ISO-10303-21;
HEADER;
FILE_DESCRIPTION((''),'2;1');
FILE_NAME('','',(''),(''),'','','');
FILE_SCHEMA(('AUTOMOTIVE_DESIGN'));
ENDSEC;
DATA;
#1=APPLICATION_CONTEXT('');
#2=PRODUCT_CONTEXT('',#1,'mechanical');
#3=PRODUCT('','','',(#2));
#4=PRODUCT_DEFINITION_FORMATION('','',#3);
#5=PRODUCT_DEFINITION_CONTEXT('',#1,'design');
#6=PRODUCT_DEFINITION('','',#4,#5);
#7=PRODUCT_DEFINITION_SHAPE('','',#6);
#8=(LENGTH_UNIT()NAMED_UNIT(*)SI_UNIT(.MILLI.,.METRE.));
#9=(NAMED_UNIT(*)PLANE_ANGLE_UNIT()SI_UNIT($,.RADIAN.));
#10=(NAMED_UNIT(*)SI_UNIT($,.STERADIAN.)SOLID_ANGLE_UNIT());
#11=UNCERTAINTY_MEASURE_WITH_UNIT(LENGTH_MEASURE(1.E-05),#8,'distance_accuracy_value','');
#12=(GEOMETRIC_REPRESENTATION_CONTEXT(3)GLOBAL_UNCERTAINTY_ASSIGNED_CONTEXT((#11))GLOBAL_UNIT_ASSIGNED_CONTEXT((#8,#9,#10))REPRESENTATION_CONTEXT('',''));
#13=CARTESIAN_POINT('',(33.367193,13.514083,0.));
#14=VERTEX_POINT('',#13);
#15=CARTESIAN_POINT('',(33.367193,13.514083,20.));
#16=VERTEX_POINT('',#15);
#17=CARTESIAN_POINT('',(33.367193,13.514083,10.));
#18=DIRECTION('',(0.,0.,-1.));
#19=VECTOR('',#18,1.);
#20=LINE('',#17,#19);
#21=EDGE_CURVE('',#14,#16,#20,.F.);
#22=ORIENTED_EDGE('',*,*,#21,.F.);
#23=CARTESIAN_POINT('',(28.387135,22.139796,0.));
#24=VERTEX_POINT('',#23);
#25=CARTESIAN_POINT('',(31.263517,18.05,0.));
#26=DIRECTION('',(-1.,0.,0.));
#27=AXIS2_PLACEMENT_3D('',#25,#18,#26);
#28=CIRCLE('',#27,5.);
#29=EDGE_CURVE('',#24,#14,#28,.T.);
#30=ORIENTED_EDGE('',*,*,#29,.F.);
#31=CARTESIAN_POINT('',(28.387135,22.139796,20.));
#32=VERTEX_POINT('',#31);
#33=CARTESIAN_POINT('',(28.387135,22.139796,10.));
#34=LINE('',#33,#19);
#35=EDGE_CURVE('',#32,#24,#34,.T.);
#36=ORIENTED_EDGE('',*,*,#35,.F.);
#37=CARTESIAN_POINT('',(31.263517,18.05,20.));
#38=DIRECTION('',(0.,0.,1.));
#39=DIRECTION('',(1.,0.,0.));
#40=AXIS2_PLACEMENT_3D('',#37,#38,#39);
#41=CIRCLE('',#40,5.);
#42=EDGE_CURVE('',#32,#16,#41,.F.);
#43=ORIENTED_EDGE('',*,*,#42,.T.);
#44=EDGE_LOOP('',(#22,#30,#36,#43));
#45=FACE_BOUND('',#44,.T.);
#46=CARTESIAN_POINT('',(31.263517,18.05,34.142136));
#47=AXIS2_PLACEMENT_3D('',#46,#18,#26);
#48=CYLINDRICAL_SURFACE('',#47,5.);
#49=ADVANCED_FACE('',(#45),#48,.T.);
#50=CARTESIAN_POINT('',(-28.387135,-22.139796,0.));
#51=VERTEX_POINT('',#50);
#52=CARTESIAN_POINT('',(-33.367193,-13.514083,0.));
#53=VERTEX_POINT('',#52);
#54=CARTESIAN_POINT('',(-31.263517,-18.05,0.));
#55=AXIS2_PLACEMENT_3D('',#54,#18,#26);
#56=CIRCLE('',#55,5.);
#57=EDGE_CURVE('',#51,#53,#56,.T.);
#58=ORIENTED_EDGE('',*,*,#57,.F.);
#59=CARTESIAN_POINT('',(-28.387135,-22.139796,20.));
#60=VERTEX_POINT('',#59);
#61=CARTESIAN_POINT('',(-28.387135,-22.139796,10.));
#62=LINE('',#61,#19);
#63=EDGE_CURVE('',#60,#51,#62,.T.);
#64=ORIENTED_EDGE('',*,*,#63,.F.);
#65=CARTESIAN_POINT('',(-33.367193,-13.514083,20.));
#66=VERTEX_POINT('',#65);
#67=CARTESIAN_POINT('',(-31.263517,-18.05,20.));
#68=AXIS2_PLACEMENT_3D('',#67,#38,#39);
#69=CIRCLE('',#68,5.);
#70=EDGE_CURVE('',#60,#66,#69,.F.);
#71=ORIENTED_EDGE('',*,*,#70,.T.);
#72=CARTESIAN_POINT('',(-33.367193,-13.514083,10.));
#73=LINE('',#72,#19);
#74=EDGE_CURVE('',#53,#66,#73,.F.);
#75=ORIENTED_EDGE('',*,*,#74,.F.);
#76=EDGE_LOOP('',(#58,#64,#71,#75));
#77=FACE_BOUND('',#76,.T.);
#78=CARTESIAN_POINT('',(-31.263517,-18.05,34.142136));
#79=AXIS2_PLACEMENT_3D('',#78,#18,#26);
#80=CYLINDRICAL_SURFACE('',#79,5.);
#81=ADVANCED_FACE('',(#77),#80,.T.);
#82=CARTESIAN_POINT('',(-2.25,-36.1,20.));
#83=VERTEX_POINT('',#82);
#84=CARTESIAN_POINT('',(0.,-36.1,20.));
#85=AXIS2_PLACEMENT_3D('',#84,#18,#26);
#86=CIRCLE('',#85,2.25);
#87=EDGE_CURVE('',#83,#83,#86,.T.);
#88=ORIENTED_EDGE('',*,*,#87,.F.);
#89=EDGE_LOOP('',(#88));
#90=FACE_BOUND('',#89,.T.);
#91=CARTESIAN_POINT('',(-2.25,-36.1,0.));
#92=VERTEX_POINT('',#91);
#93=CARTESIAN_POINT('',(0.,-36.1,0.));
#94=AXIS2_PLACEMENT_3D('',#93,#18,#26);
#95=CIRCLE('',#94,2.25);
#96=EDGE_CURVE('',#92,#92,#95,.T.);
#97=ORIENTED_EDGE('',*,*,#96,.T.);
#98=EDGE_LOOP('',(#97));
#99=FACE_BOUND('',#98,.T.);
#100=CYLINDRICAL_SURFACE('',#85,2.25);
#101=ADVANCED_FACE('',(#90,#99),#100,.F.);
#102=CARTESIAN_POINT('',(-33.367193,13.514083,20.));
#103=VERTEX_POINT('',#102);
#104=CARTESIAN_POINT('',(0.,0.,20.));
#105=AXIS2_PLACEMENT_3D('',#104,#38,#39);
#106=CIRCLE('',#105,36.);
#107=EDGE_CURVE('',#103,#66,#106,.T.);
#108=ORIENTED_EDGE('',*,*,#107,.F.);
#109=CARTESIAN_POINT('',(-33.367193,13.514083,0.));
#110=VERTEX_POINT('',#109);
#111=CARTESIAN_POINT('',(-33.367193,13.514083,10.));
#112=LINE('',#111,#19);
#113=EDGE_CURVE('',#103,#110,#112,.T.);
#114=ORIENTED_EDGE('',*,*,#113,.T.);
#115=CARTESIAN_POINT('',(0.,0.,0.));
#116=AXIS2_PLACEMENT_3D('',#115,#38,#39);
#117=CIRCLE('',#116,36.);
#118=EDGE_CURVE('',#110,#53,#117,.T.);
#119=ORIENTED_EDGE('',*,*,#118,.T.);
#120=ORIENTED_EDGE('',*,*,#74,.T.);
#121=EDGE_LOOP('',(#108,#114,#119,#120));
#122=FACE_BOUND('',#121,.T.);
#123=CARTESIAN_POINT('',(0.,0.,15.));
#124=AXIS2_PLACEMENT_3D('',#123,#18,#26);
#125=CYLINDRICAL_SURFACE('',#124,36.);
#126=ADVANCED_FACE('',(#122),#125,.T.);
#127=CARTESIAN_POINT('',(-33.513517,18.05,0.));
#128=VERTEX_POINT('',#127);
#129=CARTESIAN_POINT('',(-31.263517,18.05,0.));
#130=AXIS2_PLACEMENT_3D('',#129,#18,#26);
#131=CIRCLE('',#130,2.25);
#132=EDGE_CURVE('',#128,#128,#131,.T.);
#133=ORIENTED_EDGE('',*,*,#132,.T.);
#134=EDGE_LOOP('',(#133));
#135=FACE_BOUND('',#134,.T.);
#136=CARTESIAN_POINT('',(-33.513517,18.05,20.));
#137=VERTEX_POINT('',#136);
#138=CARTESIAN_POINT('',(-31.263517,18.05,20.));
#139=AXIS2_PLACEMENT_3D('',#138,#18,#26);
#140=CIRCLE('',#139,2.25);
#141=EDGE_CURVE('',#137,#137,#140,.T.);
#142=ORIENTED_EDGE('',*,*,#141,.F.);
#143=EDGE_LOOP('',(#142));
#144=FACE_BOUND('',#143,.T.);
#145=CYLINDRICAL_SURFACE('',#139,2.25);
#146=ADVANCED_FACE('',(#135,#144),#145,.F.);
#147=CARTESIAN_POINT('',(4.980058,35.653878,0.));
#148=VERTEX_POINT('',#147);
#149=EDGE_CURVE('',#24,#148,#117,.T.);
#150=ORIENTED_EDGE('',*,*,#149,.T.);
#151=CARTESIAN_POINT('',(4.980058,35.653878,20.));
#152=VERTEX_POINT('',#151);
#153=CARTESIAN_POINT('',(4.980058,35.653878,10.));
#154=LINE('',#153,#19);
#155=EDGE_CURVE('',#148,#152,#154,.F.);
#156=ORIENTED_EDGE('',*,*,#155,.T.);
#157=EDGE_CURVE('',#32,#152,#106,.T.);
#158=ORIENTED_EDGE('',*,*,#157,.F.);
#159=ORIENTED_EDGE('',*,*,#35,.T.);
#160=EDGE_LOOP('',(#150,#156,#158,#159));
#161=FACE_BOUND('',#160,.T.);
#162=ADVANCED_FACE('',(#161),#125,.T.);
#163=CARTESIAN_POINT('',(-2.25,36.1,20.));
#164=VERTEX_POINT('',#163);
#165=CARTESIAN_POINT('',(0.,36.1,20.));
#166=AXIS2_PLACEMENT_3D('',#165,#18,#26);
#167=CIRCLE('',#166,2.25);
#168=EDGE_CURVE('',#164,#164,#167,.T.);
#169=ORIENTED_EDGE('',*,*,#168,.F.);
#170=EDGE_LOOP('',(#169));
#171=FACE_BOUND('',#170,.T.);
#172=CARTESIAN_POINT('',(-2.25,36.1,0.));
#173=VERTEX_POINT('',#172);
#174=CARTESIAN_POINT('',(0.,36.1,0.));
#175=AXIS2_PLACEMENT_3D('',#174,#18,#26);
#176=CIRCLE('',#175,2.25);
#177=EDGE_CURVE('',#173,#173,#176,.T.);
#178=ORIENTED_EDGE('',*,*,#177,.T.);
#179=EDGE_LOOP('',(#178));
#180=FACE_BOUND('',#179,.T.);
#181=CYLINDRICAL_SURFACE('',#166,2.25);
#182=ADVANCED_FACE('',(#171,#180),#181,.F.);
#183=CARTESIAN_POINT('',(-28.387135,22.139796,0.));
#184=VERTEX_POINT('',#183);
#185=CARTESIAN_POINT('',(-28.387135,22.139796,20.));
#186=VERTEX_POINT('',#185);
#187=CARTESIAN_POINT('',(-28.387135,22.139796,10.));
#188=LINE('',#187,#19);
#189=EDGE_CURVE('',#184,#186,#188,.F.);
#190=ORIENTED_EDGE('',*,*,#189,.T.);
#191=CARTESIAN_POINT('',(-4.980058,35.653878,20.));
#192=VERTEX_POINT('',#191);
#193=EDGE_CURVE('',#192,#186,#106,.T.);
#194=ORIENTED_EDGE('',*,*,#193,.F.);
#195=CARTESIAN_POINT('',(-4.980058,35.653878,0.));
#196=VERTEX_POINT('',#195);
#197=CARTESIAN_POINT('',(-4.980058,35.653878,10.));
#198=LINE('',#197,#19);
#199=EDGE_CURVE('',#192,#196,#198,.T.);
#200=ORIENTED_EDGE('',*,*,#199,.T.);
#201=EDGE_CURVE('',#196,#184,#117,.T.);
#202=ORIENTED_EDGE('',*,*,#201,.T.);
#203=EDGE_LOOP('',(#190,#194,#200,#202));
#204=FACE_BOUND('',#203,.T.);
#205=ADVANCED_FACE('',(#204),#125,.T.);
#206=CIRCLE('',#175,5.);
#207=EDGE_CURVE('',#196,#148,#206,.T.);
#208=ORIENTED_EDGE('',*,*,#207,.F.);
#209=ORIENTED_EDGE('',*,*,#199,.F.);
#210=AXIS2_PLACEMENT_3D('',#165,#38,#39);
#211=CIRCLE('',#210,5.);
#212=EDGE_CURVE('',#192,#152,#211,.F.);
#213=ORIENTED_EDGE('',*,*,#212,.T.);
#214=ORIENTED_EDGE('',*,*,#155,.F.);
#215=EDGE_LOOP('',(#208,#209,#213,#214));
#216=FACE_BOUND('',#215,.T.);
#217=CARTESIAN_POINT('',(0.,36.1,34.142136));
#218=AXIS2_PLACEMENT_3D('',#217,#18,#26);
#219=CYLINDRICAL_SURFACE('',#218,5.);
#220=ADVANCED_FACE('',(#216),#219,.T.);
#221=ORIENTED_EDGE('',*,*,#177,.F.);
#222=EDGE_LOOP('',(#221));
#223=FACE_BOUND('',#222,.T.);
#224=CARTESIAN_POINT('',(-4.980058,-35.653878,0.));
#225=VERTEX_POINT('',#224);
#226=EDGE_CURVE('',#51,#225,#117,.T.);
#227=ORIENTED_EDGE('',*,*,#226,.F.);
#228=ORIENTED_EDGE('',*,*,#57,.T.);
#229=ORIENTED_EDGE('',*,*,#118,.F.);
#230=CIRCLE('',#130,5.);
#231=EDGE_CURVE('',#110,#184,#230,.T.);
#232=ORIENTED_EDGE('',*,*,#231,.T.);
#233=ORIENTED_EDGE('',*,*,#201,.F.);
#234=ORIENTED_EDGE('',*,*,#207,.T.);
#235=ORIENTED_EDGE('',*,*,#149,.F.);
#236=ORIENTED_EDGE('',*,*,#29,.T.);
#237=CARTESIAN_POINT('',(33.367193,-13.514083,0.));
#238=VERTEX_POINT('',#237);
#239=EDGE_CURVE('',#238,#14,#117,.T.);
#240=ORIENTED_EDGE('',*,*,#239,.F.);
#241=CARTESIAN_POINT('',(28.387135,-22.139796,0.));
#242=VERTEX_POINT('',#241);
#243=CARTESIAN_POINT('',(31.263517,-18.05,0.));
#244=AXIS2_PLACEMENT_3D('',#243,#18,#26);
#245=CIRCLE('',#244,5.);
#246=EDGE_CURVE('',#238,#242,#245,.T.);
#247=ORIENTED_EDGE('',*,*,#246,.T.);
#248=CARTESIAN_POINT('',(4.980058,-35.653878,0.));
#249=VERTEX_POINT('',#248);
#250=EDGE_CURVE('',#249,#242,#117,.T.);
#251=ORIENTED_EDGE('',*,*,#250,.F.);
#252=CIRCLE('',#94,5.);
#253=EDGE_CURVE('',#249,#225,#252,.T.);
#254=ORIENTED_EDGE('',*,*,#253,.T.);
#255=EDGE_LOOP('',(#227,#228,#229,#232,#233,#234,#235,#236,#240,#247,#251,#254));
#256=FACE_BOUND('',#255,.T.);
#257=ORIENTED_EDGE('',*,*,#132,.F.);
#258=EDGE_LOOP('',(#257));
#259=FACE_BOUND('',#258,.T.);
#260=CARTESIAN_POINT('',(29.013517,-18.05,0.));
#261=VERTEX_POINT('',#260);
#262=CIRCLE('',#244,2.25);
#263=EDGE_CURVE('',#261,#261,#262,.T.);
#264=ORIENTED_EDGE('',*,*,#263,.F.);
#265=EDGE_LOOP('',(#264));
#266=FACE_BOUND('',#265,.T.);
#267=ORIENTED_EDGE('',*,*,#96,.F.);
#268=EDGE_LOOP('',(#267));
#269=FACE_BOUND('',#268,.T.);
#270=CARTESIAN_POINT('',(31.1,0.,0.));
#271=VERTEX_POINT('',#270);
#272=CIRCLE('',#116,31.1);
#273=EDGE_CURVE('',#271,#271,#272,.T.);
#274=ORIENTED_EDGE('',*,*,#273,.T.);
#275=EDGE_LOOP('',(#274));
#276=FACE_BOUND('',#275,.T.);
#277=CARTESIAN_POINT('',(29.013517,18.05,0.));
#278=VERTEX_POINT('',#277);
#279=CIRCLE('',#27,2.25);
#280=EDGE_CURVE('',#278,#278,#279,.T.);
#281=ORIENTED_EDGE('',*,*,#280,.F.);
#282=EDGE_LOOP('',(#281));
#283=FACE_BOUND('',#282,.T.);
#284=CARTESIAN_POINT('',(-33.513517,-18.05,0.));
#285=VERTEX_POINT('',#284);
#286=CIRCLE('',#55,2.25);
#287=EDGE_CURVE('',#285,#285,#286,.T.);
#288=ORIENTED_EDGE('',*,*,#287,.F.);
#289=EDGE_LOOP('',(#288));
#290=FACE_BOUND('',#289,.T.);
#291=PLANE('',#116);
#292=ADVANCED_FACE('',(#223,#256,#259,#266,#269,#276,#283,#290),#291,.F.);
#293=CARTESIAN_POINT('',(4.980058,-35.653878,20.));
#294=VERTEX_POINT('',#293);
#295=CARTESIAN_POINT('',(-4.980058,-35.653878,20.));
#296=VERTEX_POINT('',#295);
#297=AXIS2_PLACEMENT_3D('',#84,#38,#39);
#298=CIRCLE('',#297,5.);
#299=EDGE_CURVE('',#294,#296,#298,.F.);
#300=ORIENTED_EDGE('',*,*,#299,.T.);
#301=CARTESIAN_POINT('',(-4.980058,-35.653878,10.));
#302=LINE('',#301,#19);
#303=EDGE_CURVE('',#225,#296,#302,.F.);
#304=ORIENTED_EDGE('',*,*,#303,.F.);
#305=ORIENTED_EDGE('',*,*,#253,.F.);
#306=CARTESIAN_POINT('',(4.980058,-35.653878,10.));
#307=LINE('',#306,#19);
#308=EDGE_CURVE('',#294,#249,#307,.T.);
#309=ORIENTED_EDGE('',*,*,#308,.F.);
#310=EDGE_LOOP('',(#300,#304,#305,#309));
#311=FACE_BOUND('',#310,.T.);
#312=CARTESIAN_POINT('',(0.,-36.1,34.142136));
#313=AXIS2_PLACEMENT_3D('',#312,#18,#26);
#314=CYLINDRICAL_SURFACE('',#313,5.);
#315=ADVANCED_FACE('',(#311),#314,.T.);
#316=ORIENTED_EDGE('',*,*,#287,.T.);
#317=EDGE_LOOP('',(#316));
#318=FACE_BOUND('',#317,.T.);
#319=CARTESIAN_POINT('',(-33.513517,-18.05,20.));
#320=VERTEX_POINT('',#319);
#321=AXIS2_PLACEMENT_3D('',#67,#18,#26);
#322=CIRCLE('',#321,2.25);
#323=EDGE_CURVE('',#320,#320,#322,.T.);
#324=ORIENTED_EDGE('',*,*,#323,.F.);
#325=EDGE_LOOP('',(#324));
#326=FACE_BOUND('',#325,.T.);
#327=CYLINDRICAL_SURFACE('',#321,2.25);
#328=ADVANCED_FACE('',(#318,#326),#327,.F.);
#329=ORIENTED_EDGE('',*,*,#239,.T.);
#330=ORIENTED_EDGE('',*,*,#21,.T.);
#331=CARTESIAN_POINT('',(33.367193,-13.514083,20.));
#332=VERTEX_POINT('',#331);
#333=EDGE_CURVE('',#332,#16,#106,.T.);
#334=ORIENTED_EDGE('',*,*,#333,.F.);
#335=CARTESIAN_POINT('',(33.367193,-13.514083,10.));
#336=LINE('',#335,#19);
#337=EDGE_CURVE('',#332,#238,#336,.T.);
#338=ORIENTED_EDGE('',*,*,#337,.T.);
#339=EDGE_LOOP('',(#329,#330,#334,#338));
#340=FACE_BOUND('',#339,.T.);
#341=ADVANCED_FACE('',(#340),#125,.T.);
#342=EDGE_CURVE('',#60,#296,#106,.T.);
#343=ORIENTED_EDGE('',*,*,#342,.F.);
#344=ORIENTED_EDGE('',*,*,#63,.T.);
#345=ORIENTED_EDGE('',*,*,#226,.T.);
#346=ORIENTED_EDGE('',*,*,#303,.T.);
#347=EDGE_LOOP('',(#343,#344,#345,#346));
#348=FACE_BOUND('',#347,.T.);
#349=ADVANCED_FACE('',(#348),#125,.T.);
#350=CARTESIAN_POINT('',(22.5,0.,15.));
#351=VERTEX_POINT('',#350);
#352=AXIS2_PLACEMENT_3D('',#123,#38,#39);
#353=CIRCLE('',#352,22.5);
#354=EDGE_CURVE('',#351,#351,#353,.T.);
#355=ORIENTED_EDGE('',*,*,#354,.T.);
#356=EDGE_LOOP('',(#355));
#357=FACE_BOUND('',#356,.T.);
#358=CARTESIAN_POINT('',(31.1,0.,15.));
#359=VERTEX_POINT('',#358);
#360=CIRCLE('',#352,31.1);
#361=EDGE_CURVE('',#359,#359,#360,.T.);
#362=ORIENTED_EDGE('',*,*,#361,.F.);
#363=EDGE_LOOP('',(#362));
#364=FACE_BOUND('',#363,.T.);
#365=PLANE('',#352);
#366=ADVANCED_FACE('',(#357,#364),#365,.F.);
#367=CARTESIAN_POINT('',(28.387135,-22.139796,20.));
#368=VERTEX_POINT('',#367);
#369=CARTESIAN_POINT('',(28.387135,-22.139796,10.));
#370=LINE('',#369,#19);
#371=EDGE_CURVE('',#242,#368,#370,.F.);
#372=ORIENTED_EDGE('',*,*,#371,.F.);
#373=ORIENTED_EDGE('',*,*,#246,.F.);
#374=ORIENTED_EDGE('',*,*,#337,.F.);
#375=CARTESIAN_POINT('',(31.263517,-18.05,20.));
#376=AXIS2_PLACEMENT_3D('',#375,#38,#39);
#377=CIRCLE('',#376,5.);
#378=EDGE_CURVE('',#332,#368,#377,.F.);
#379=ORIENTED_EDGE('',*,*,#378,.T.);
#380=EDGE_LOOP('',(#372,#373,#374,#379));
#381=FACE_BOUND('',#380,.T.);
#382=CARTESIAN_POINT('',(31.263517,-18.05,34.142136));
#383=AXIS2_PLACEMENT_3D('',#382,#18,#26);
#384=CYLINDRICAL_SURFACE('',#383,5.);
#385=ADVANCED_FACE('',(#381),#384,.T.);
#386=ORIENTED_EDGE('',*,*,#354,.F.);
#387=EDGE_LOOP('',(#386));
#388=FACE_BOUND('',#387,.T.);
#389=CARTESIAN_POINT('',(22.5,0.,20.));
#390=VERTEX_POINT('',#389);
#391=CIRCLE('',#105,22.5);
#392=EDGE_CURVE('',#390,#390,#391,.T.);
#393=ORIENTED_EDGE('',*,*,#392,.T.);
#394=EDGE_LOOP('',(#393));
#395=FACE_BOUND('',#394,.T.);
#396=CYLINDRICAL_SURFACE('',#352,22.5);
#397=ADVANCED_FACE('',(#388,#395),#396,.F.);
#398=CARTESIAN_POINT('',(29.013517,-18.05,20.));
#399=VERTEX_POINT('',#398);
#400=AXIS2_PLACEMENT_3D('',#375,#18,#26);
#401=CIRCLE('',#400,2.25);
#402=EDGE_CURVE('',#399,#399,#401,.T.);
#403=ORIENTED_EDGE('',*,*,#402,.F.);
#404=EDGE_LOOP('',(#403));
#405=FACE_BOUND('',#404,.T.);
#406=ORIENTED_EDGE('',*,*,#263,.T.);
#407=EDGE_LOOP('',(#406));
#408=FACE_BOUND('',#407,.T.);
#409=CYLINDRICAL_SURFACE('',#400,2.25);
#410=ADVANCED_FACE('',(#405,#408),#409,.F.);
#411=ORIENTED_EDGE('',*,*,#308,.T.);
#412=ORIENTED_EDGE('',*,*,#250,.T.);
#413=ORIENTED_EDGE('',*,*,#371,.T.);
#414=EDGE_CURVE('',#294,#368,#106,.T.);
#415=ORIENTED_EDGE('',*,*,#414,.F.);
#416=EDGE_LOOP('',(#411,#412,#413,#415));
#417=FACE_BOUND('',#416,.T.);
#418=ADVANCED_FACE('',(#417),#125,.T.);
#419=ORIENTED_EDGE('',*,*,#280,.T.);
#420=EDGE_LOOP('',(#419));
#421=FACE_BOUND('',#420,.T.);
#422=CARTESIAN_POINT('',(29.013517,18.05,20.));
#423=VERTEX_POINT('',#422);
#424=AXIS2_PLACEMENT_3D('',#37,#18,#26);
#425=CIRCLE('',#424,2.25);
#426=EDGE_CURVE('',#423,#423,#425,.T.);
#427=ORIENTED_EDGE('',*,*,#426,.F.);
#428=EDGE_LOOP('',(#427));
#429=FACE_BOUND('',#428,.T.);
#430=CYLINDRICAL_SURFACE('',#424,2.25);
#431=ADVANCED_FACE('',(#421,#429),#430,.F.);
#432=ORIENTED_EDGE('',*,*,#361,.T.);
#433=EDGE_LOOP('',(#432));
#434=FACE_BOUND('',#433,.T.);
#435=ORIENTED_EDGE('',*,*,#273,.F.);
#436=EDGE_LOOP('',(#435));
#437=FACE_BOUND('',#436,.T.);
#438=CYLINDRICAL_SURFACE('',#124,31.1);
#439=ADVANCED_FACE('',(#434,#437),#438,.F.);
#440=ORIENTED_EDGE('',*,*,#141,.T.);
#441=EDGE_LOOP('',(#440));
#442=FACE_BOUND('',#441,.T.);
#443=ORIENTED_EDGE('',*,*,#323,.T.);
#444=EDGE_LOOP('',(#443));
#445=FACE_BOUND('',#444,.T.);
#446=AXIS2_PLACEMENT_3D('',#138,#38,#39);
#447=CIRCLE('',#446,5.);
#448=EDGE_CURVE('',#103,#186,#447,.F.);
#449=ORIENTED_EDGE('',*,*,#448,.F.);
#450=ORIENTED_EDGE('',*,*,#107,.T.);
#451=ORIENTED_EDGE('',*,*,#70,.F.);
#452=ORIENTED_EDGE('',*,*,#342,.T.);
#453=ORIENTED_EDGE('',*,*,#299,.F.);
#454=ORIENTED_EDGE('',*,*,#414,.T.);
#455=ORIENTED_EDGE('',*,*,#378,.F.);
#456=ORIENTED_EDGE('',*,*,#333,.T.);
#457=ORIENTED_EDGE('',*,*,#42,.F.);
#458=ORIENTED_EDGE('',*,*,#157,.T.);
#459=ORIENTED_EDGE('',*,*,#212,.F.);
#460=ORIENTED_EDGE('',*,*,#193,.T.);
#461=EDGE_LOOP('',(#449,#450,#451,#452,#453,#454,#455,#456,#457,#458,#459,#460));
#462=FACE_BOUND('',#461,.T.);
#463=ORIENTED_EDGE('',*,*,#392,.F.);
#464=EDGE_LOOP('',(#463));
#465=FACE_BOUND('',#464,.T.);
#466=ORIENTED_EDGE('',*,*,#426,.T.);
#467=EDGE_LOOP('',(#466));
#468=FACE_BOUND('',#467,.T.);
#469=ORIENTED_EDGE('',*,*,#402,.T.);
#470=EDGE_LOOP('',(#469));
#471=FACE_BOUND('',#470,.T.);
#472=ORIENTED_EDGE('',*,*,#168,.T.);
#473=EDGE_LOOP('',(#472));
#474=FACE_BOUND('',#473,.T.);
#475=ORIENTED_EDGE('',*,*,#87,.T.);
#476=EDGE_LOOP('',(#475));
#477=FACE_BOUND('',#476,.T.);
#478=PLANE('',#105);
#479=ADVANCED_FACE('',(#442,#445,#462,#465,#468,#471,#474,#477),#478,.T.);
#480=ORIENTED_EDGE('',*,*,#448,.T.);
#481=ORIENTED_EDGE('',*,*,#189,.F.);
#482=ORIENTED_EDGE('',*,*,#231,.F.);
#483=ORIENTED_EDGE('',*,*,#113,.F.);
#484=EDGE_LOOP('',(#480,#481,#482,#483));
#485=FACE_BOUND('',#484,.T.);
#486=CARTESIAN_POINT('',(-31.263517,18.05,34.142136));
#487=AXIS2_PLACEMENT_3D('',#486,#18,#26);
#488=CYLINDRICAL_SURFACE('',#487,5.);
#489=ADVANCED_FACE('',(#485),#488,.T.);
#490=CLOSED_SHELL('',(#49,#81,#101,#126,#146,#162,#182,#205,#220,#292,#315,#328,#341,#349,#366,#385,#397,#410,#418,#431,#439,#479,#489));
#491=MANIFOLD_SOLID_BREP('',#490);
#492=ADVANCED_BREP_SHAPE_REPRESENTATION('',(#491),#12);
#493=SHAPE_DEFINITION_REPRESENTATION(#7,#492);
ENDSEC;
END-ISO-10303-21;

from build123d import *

# Parameters (mm, degrees)
SKETCH1_R           = 36
SKETCH1_R_2         = 31.1
BOSS_EXTRUDE1_DEPTH = 15
SKETCH2_R           = 36
BOSS_EXTRUDE2_DEPTH = 5
SKETCH3_R           = 22.5
CUT_EXTRUDE1_DEPTH  = 5
SKETCH4_R           = 5
BOSS_EXTRUDE3_DEPTH = 20
SKETCH7_R           = 2.25
CUT_EXTRUDE2_DEPTH  = 21


with BuildPart() as part:
    # Sketch1 → Boss-Extrude1 (new body)
    with BuildSketch(Plane.XY):
        Circle(SKETCH1_R)
        Circle(SKETCH1_R_2, mode=Mode.SUBTRACT)
    extrude(amount=BOSS_EXTRUDE1_DEPTH)

    # Sketch2 → Boss-Extrude2 (add)
    with BuildSketch(Plane.XY.offset(15)):
        Circle(SKETCH2_R)
    extrude(amount=BOSS_EXTRUDE2_DEPTH)

    # Sketch3 → Cut-Extrude1 (cut)
    with BuildSketch(Plane.XY.offset(20)):
        Circle(SKETCH3_R)
    extrude(amount=-CUT_EXTRUDE1_DEPTH, mode=Mode.SUBTRACT)

    # Sketch4 → Boss-Extrude3 (add)
    with BuildSketch(Plane(origin=(0, 0, 0), x_dir=(-1, 0, 0), z_dir=(0, 0, -1))):
        with Locations((0, 36.1)):
            Circle(SKETCH4_R)
        with Locations((31.263517077, 18.05)):
            Circle(SKETCH4_R)
        with Locations((31.263517077, -18.05)):
            Circle(SKETCH4_R)
        with Locations((0, -36.1)):
            Circle(SKETCH4_R)
        with Locations((-31.263517077, -18.05)):
            Circle(SKETCH4_R)
        with Locations((-31.263517077, 18.05)):
            Circle(SKETCH4_R)
    extrude(amount=-BOSS_EXTRUDE3_DEPTH)

    # Sketch7 → Cut-Extrude2 (cut, through all)
    with BuildSketch(Plane(origin=(0, 0, 0), x_dir=(-1, 0, 0), z_dir=(0, 0, -1))):
        with Locations((-31.263517077, 18.05)):
            Circle(SKETCH7_R)
        with Locations((0, 36.1)):
            Circle(SKETCH7_R)
        with Locations((31.263517077, 18.05)):
            Circle(SKETCH7_R)
        with Locations((31.263517077, -18.05)):
            Circle(SKETCH7_R)
        with Locations((0, -36.1)):
            Circle(SKETCH7_R)
        with Locations((-31.263517077, -18.05)):
            Circle(SKETCH7_R)
    extrude(amount=-CUT_EXTRUDE2_DEPTH, mode=Mode.SUBTRACT)


solid = part.part
